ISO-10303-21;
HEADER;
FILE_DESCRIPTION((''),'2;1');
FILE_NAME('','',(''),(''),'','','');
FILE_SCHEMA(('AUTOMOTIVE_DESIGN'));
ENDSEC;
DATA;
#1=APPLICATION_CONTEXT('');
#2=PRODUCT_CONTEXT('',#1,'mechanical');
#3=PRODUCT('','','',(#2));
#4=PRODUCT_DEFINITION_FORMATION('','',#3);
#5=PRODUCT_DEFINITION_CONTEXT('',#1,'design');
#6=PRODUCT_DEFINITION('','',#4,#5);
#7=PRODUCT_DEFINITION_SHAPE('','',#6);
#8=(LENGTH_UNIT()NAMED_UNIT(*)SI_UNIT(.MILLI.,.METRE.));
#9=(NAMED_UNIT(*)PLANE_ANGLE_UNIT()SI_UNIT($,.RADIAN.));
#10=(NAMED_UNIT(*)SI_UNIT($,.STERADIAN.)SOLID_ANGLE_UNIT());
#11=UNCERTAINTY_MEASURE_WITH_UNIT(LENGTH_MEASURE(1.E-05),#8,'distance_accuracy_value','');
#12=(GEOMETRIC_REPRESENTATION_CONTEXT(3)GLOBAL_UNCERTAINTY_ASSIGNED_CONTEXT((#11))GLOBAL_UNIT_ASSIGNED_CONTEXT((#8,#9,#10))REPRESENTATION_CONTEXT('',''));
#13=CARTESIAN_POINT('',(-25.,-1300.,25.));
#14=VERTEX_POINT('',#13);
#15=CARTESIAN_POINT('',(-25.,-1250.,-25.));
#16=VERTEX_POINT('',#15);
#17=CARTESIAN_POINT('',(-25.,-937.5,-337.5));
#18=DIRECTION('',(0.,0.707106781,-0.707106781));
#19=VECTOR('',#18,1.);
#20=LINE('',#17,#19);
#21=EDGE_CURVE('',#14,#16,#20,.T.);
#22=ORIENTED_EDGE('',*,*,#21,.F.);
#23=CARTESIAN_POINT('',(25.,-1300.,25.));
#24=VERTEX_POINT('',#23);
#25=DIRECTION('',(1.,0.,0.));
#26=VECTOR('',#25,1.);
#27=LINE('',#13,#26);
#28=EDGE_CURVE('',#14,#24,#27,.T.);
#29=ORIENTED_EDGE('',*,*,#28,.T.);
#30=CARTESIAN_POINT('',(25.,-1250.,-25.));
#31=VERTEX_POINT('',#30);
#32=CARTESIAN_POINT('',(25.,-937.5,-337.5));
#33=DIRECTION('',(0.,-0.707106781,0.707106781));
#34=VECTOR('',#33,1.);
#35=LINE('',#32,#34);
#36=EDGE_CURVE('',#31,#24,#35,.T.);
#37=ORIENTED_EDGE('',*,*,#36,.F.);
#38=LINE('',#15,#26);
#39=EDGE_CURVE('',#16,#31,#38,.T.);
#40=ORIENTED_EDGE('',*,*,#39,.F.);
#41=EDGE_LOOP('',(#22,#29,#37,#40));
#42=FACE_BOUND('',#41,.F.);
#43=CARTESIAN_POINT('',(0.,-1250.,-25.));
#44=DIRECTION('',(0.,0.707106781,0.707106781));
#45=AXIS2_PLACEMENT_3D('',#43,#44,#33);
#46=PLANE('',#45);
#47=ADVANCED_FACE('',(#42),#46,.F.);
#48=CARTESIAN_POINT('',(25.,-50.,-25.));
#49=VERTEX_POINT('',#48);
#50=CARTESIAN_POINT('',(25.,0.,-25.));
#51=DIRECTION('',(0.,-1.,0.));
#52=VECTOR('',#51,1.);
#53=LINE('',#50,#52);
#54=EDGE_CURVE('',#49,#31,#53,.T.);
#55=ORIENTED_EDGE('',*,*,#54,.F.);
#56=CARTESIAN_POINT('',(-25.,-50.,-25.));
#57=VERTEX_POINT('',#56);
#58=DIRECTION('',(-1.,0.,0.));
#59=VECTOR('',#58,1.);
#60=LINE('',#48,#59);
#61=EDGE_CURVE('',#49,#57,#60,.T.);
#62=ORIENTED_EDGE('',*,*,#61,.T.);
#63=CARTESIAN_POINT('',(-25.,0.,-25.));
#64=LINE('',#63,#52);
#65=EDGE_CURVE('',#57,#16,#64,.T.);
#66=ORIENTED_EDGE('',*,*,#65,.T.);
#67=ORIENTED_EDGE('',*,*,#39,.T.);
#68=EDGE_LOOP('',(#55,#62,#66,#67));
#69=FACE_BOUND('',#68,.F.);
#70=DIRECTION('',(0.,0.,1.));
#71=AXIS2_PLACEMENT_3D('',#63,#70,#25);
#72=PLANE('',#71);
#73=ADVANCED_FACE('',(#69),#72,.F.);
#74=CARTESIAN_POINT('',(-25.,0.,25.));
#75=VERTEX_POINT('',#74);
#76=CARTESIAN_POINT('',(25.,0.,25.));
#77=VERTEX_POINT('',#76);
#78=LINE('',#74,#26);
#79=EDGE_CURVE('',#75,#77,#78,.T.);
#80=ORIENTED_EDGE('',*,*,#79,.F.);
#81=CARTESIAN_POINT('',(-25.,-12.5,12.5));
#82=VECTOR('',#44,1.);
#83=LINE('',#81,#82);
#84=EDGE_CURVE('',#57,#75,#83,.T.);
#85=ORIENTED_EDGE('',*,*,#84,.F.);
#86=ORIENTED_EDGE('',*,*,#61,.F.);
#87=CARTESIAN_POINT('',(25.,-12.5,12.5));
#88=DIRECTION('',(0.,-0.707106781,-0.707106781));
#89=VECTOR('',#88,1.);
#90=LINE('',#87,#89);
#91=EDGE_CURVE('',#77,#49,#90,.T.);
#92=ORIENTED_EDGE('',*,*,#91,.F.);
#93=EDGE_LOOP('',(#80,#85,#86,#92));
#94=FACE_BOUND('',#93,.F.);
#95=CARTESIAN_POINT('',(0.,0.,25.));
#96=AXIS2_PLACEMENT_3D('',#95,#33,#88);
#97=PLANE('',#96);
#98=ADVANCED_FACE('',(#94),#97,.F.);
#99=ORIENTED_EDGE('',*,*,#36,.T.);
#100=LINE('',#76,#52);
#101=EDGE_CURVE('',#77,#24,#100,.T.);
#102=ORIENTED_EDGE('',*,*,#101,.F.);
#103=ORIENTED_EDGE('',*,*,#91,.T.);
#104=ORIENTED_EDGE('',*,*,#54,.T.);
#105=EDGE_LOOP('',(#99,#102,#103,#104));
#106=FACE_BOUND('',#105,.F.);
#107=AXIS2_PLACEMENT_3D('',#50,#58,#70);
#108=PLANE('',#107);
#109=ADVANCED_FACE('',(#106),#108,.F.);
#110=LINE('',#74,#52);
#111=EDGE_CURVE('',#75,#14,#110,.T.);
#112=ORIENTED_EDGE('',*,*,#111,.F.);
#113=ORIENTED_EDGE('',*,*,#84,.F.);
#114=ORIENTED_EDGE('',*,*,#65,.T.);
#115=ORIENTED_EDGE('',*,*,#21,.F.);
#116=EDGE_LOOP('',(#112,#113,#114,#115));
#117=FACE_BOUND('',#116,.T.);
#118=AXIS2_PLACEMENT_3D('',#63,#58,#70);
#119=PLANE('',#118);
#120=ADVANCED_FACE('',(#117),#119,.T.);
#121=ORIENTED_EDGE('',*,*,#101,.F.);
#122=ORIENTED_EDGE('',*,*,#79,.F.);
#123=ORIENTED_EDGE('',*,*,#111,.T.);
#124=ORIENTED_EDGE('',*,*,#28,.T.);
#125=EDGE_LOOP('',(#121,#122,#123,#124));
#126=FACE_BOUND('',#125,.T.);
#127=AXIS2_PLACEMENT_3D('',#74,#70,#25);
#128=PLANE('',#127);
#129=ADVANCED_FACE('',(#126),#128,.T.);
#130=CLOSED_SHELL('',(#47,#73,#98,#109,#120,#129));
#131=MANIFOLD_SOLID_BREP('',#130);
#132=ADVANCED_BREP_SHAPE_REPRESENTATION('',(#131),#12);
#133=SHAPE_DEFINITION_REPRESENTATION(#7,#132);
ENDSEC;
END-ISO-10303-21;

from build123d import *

# Parameters (mm, degrees)
F0_W          = 50
F0_H          = 50
F1_DEPTH      = 1300
F3_DEPTH      = 25.001
F3_DEPTH_BACK = 25.001


with BuildPart() as f1:
    # F0 (on Front) → F1 (new body)
    with BuildSketch(Plane.XZ):
        Rectangle(F0_W, F0_H)
    extrude(amount=F1_DEPTH)

    # F2 (on Right) → F3 (cut, two sides)
    with BuildSketch(Plane.YZ) as f3_sk:
        Polygon((-1300, -25), (-1250, -25), (-1300, 25), align=None)
        Polygon((0, 25), (-50, -25), (0, -25), align=None)
    extrude(amount=-F3_DEPTH, mode=Mode.SUBTRACT)
    extrude(f3_sk.sketch, amount=F3_DEPTH_BACK, mode=Mode.SUBTRACT)


solid = f1.part
